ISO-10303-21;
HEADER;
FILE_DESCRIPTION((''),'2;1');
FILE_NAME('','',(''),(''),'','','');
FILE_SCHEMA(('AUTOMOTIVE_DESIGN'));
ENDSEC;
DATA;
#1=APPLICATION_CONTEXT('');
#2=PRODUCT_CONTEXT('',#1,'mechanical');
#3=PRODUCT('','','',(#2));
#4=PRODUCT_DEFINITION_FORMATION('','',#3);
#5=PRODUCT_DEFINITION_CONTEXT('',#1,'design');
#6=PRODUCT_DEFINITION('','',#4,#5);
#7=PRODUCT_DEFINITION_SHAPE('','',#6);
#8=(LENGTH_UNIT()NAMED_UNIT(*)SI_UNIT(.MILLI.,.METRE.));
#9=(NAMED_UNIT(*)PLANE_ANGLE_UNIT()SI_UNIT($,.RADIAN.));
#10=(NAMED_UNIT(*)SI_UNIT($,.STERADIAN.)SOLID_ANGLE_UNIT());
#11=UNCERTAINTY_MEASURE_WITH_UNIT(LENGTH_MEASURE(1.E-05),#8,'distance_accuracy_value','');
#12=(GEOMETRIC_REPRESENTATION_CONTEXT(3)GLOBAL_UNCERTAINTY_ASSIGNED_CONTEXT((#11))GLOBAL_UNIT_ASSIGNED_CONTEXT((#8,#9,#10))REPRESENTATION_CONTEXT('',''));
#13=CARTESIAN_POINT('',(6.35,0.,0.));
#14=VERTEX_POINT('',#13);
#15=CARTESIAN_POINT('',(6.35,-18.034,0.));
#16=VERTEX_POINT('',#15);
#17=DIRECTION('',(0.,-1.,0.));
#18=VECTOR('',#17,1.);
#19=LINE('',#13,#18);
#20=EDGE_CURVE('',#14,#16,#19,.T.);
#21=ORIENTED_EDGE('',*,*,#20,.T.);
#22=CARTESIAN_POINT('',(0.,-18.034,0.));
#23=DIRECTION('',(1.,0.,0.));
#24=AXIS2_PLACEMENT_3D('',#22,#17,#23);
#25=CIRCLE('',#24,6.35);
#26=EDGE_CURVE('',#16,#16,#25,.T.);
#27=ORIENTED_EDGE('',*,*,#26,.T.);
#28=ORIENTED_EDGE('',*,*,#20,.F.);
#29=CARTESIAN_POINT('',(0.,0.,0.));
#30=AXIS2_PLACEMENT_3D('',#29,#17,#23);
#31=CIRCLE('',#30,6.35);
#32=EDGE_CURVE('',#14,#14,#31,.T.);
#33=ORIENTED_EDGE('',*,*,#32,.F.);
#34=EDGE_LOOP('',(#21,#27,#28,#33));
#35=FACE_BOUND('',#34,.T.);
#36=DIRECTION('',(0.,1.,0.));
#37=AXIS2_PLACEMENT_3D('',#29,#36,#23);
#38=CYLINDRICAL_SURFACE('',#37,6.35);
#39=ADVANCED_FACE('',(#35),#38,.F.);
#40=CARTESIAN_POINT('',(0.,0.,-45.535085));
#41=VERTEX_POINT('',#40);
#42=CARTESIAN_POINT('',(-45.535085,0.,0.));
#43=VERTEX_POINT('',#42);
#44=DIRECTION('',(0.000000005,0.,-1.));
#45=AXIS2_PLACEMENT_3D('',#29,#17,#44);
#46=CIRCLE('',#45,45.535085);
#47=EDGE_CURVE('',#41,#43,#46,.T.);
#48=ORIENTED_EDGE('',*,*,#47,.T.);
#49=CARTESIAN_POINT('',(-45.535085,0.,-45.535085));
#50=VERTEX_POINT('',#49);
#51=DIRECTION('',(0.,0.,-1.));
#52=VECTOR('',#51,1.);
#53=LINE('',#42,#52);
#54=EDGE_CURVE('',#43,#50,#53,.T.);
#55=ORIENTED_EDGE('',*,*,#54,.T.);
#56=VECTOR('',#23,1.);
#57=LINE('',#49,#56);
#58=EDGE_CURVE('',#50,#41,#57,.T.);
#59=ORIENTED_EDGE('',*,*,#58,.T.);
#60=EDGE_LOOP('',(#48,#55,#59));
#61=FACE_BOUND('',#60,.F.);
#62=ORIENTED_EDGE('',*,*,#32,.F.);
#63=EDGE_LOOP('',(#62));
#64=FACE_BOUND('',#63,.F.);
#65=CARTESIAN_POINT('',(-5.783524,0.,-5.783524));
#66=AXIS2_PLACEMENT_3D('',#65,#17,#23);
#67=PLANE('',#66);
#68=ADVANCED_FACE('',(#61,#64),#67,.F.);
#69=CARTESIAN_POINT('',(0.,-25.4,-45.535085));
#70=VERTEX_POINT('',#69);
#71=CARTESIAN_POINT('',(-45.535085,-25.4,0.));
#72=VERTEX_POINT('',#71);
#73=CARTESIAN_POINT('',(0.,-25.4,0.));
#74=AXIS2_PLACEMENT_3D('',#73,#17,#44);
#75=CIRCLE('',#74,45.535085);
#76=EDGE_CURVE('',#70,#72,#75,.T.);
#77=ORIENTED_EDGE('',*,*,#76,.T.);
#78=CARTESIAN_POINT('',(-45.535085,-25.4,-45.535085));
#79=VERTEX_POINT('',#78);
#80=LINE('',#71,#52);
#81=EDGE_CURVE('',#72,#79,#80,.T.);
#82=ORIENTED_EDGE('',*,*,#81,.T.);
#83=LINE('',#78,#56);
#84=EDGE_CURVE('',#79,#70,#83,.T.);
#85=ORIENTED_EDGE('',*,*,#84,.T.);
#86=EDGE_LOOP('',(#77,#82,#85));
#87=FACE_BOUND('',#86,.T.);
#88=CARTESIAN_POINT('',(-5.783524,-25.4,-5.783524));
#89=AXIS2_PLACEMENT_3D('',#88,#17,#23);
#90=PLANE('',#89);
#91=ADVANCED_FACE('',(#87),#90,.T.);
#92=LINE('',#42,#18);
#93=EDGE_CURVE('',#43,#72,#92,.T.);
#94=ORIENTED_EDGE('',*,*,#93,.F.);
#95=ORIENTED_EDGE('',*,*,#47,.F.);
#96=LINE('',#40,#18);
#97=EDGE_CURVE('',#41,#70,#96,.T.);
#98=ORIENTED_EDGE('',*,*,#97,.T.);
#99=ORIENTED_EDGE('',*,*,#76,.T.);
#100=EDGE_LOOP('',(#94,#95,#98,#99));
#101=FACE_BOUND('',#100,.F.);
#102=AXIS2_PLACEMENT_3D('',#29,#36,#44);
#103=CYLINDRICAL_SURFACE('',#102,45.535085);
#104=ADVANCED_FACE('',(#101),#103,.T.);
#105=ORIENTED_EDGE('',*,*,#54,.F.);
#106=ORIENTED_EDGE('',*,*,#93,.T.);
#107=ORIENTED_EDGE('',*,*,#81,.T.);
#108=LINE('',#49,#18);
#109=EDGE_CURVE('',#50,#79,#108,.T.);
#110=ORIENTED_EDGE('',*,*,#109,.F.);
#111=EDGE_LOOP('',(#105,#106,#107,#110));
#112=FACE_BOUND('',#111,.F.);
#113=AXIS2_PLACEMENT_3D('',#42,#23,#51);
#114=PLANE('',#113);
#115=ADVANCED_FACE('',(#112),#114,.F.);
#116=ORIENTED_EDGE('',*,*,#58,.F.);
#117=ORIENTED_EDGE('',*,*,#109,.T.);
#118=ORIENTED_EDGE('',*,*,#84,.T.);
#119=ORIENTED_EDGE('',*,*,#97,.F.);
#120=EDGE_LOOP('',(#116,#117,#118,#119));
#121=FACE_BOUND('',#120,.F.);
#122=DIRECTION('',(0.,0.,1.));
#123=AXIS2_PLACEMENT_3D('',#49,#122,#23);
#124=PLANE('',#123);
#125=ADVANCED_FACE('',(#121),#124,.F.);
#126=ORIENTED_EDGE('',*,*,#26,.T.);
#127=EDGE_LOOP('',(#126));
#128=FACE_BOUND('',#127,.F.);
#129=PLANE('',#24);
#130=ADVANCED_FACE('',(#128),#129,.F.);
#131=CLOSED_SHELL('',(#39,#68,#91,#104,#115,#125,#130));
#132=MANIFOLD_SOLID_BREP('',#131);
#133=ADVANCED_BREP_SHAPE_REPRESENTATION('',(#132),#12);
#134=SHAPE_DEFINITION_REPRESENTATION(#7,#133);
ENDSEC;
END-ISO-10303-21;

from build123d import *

# Parameters (mm, degrees)
F1_DEPTH = 25.4
F2_R     = 6.35
F3_DEPTH = 18.034


with BuildPart() as f1:
    # F0 (on Front) → F1 (new body)
    with BuildSketch(Plane.XZ):
        with BuildLine():
            Line((-45.535085, -45.535085), (0, -45.535085))
            ThreePointArc((0, -45.535085), (32.198167, 32.198167), (-45.535085, 0))
            Line((-45.535085, 0), (-45.535085, -45.535085))
        make_face()
    extrude(amount=F1_DEPTH)

    # F2 (on Front) → F3 (cut)
    with BuildSketch(Plane.XZ):
        Circle(F2_R)
    extrude(amount=F3_DEPTH, mode=Mode.SUBTRACT)


solid = f1.part
